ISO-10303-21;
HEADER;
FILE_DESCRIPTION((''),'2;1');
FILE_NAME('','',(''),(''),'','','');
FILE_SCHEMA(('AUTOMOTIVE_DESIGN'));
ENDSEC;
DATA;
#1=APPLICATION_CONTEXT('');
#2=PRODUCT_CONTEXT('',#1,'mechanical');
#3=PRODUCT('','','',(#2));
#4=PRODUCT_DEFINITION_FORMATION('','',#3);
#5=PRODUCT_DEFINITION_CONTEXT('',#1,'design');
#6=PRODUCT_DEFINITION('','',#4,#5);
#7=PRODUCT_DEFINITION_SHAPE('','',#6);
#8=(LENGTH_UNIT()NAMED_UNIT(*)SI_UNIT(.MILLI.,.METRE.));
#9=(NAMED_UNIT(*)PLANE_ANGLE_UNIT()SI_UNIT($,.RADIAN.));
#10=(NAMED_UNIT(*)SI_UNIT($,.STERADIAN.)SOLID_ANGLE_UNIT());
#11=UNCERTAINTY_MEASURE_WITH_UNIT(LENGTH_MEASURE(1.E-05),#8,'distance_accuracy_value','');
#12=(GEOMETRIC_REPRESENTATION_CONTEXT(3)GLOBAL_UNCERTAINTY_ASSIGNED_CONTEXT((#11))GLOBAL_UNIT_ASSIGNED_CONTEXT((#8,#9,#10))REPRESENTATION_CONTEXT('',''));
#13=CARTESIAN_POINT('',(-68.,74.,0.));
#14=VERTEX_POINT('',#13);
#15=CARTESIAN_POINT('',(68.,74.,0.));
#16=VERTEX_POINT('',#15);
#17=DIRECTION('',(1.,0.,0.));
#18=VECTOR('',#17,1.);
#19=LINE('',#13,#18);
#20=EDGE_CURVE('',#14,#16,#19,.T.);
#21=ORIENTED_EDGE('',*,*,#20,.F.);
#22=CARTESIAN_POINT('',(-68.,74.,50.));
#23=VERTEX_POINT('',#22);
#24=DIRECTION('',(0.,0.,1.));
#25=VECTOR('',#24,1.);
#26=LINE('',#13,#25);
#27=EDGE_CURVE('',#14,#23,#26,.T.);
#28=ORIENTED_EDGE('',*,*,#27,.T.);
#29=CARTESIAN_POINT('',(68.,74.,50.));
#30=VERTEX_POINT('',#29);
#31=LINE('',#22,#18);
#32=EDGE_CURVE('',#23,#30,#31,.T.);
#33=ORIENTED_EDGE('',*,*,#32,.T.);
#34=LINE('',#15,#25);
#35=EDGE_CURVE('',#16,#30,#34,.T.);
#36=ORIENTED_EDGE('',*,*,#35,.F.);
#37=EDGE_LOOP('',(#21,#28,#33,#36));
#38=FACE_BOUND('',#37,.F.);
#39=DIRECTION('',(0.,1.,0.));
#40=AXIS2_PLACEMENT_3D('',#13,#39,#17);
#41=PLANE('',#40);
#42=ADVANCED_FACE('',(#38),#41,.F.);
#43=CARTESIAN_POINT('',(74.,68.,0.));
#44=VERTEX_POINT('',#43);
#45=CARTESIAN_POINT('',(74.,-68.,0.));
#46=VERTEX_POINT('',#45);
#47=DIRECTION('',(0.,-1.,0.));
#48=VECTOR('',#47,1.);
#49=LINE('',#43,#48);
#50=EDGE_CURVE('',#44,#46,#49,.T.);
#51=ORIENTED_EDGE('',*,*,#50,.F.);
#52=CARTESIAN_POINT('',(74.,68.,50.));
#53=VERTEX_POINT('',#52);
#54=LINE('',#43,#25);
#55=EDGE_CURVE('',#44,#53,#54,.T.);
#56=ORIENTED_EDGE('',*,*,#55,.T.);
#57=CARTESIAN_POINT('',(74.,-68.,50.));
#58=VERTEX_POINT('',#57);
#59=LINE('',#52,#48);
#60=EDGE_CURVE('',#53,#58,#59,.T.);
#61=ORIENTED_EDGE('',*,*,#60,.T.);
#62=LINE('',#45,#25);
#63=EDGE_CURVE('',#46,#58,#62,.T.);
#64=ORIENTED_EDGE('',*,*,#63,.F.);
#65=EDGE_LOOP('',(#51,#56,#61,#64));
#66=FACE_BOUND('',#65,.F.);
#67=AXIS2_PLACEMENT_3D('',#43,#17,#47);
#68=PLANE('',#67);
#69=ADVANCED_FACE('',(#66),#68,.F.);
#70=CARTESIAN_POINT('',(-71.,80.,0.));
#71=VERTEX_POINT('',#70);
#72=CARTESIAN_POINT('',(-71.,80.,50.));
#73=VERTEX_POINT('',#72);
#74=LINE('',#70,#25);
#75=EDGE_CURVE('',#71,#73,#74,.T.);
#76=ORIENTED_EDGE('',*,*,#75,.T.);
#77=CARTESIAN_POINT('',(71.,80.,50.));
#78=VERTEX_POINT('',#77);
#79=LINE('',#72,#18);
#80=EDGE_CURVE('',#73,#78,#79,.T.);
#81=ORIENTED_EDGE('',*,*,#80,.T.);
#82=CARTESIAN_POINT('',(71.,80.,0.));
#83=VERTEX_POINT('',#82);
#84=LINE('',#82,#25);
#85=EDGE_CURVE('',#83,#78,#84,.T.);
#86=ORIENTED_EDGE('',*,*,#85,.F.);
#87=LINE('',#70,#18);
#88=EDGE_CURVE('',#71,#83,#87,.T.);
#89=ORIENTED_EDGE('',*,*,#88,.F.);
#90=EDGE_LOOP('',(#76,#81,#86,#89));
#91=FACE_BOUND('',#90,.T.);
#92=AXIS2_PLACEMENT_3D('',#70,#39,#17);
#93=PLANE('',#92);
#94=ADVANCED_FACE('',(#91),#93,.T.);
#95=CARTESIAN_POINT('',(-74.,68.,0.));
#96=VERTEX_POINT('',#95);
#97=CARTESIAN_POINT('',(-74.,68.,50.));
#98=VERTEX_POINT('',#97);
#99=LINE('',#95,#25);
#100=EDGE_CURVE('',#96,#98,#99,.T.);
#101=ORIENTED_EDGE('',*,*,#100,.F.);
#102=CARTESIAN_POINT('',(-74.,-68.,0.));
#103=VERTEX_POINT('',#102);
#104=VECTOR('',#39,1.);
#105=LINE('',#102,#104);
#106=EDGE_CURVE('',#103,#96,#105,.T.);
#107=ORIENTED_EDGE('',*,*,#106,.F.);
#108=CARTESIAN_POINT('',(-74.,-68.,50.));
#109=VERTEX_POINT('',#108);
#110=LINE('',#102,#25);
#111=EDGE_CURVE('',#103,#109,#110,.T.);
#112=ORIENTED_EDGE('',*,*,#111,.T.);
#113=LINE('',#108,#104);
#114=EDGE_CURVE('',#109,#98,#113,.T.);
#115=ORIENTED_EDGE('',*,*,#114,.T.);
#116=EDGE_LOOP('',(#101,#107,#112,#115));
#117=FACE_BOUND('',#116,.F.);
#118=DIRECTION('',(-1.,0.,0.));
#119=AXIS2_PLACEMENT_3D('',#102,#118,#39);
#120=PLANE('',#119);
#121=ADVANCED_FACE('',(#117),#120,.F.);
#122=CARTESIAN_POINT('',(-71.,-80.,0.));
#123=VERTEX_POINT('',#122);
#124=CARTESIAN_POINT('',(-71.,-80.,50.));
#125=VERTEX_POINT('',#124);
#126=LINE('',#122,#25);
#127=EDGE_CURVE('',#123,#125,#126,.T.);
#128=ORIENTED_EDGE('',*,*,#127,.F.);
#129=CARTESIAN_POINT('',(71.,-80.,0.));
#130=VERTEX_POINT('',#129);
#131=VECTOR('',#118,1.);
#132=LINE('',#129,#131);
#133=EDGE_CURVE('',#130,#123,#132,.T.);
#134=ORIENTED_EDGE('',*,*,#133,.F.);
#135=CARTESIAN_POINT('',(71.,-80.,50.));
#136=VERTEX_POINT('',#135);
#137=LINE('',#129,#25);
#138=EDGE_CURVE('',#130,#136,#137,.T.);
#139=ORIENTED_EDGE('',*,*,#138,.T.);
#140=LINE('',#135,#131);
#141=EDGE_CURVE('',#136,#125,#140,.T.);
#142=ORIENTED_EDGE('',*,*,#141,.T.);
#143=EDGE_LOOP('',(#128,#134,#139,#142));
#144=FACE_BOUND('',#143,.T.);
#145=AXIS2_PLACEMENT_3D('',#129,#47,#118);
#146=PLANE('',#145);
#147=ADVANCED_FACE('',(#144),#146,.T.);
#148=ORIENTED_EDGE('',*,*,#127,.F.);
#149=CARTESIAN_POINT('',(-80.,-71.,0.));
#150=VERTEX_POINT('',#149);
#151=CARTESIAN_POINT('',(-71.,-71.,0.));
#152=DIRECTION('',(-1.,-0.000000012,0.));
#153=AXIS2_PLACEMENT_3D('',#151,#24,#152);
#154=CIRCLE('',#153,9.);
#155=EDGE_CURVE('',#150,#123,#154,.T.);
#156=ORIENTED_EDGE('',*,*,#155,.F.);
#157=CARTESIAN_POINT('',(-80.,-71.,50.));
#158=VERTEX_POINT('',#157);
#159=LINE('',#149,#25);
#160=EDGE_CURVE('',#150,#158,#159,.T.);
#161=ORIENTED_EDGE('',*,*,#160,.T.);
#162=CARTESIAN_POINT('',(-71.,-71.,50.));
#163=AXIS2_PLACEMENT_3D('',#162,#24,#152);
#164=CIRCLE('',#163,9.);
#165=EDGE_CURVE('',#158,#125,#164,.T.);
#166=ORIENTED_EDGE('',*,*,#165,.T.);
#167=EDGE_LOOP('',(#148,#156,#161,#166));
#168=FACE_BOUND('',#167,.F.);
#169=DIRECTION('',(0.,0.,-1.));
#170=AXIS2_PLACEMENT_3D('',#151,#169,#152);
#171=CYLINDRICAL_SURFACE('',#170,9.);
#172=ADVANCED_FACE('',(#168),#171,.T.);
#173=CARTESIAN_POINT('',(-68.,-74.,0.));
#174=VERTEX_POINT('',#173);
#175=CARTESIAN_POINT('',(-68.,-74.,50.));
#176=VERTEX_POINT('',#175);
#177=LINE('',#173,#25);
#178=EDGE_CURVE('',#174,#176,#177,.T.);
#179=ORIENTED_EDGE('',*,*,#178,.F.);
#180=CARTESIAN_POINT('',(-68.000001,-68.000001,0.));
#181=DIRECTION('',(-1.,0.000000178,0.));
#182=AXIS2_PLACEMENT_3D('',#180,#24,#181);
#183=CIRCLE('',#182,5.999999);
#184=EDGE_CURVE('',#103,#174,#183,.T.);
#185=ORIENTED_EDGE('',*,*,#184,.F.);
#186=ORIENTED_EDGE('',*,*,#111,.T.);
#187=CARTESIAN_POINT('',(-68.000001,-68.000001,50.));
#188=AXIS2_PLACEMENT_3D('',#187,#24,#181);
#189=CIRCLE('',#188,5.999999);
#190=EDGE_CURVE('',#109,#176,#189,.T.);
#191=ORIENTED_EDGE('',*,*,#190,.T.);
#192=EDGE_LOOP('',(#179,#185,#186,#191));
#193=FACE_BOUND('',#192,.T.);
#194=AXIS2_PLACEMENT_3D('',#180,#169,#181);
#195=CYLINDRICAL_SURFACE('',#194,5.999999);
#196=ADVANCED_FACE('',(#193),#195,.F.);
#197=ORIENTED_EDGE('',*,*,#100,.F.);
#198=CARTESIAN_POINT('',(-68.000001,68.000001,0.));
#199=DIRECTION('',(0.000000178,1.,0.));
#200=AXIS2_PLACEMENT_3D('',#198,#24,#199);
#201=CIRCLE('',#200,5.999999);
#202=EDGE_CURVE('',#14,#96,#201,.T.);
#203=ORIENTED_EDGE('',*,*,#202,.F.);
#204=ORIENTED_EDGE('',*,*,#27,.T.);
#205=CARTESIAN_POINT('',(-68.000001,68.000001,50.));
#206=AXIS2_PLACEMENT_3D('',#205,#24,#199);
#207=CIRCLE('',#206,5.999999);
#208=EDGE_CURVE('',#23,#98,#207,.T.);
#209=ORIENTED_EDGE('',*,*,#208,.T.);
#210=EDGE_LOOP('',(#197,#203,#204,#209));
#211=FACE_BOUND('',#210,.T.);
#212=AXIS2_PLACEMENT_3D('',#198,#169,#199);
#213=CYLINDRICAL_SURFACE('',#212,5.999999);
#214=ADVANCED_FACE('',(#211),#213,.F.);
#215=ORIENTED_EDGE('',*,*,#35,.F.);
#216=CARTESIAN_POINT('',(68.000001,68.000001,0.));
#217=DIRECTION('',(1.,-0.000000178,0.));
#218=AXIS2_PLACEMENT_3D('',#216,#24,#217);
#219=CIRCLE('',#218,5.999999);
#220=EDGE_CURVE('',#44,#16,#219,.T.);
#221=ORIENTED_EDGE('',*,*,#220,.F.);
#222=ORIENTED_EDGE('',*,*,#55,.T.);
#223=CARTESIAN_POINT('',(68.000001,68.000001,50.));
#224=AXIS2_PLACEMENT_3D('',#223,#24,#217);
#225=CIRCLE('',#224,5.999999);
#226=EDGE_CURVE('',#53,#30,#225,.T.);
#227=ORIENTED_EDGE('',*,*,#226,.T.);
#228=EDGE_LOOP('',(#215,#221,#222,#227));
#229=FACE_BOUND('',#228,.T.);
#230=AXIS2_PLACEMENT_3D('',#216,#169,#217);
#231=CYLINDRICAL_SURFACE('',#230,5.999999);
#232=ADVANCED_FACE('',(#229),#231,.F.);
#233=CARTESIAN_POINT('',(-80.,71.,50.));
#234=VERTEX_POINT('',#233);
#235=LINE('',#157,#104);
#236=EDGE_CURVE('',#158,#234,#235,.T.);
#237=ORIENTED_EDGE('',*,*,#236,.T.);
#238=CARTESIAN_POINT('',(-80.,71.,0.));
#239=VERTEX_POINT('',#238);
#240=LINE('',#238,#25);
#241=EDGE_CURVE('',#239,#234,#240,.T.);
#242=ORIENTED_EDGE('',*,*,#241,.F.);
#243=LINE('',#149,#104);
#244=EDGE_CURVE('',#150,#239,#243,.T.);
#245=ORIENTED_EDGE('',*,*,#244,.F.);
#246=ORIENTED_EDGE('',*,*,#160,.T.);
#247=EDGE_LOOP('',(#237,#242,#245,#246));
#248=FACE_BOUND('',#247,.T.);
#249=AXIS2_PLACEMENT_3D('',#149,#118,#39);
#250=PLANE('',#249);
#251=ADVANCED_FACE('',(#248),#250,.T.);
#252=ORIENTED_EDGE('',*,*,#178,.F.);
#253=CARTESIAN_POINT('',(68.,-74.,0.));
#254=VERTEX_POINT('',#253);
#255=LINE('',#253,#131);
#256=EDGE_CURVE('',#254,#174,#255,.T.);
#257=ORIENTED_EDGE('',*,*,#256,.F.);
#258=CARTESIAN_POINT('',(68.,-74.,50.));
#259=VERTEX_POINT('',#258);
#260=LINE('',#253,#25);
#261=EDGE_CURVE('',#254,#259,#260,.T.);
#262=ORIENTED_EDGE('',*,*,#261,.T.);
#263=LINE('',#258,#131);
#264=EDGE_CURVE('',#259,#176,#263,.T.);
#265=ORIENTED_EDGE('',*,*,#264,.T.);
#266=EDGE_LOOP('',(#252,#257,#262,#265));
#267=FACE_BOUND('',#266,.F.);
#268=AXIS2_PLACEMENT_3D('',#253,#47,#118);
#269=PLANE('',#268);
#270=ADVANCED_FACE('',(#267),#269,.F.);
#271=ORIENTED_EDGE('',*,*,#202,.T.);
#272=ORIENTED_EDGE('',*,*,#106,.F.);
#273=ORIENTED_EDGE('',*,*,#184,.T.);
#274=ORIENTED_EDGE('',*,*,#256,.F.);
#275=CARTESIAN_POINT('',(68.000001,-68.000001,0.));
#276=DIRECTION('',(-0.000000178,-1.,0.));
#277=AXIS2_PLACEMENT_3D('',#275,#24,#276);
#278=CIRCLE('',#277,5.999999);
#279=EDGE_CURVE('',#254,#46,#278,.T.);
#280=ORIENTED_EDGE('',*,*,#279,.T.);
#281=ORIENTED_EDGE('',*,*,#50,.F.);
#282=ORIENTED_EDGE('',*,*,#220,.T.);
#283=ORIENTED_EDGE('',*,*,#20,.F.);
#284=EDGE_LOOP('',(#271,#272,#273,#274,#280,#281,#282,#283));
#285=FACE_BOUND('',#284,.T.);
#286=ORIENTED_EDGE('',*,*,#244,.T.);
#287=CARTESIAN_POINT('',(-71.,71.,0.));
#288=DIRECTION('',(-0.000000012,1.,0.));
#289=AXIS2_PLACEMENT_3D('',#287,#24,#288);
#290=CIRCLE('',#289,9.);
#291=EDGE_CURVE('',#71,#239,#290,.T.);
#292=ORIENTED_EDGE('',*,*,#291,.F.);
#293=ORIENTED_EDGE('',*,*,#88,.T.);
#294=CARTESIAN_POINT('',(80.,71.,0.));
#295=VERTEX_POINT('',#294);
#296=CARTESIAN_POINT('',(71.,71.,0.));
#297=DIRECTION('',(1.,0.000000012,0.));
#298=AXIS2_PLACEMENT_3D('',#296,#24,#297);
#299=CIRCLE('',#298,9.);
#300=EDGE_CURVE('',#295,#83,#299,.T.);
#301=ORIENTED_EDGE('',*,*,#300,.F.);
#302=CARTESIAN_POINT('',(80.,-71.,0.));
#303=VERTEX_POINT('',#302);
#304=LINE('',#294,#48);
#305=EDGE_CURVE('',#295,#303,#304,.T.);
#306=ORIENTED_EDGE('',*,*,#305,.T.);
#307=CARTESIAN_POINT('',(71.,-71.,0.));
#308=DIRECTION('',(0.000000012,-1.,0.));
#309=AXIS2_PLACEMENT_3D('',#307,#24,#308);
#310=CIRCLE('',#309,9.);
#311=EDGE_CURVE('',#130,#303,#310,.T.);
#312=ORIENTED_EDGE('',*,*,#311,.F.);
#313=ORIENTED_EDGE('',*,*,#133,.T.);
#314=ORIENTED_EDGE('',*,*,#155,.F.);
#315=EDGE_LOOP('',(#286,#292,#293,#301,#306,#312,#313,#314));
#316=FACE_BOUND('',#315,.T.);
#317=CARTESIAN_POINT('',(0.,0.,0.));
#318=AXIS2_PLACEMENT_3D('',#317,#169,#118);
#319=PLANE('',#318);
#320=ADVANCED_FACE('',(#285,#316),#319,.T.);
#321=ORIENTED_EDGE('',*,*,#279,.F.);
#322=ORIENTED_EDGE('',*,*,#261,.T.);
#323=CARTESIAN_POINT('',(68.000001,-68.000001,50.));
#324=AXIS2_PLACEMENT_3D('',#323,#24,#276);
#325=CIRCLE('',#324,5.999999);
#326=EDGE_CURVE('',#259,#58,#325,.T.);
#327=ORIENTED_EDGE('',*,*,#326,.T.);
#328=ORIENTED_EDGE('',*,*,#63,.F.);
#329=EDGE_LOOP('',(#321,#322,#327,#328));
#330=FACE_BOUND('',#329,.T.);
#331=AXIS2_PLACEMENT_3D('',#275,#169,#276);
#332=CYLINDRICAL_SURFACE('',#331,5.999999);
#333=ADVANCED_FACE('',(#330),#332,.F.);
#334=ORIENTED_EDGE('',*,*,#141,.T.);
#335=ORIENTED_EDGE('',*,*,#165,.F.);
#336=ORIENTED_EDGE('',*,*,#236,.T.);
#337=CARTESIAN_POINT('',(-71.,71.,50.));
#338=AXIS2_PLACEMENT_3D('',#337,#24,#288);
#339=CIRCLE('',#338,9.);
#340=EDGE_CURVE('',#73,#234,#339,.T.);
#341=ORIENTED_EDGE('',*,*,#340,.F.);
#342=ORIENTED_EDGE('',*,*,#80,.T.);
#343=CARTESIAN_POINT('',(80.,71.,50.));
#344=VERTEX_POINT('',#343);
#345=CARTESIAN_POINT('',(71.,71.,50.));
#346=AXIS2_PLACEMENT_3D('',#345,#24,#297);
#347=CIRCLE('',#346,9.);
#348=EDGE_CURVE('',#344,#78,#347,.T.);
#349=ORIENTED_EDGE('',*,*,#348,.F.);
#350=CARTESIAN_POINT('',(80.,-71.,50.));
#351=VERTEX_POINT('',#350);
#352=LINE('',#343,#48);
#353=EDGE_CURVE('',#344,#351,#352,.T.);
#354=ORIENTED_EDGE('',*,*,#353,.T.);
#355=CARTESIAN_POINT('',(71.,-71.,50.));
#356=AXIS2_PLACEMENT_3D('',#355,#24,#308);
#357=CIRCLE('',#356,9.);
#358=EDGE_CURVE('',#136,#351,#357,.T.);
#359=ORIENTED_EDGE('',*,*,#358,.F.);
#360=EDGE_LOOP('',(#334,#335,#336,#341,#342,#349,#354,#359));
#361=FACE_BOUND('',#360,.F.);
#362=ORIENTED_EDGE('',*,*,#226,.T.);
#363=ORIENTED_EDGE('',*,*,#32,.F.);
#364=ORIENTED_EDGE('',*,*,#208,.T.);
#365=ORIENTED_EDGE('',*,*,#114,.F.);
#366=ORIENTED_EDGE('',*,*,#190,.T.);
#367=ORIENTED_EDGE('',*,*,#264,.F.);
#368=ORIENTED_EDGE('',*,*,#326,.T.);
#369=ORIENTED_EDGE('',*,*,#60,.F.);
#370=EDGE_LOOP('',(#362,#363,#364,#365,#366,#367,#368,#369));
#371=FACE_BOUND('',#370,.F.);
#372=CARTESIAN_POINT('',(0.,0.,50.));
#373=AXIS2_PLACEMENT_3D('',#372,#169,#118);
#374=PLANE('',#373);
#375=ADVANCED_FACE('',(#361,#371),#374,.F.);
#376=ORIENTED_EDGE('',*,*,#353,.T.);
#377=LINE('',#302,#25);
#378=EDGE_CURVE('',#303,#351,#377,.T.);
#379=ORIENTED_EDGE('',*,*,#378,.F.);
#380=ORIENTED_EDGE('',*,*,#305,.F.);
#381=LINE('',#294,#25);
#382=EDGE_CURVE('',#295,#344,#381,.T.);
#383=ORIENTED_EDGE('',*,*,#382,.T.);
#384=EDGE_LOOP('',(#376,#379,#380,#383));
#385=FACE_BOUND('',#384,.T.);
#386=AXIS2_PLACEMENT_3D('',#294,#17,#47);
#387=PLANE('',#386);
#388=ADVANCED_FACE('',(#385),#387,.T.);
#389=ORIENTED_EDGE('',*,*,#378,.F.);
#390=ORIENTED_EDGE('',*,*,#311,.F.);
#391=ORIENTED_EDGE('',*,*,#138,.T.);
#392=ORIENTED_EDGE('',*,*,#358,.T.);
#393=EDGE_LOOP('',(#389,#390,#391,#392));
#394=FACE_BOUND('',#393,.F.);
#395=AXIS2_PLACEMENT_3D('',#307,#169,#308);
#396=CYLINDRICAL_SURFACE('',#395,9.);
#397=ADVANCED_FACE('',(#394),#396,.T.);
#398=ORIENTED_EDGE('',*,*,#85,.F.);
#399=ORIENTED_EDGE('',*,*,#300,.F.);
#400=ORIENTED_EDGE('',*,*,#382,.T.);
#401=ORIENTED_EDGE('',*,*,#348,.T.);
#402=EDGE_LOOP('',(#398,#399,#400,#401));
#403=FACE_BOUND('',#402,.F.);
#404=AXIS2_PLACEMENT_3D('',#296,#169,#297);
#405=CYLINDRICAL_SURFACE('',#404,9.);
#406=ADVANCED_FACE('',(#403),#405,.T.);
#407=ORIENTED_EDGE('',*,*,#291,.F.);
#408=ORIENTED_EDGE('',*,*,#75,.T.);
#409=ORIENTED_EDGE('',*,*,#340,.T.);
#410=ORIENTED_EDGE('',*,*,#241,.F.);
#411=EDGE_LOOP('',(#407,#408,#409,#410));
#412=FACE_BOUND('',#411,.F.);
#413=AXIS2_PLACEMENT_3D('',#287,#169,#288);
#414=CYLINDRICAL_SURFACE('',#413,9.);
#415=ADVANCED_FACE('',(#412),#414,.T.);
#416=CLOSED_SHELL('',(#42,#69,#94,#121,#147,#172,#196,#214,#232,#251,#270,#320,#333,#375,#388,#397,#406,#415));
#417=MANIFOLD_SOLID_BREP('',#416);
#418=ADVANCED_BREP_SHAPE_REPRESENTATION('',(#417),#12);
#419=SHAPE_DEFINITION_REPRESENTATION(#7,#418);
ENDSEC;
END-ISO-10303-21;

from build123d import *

# Parameters (mm, degrees)
EXTRUDE_DEPTH = 50


with BuildPart() as part:
    # Sketch → Extrude (new body)
    with BuildSketch(Plane.XY):
        with BuildLine():
            Line((-71, 80), (71, 80))
            ThreePointArc((80, 71), (77.363961, 77.363961), (71, 80))
            Line((80, 71), (80, -71))
            ThreePointArc((71, -80), (77.363961, -77.363961), (80, -71))
            Line((71, -80), (-71, -80))
            ThreePointArc((-80, -71), (-77.363961, -77.363961), (-71, -80))
            Line((-80, -71), (-80, 71))
            ThreePointArc((-71, 80), (-77.363961, 77.363961), (-80, 71))
        make_face()
        with BuildLine():
            Line((-68, 74), (68, 74))
            ThreePointArc((74, 68), (72.242641, 72.242641), (68, 74))
            Line((74, 68), (74, -68))
            ThreePointArc((68, -74), (72.242641, -72.242641), (74, -68))
            Line((68, -74), (-68, -74))
            ThreePointArc((-74, -68), (-72.242641, -72.242641), (-68, -74))
            Line((-74, -68), (-74, 68))
            ThreePointArc((-68, 74), (-72.242641, 72.242641), (-74, 68))
        make_face(mode=Mode.SUBTRACT)
    extrude(amount=EXTRUDE_DEPTH)


solid = part.part
